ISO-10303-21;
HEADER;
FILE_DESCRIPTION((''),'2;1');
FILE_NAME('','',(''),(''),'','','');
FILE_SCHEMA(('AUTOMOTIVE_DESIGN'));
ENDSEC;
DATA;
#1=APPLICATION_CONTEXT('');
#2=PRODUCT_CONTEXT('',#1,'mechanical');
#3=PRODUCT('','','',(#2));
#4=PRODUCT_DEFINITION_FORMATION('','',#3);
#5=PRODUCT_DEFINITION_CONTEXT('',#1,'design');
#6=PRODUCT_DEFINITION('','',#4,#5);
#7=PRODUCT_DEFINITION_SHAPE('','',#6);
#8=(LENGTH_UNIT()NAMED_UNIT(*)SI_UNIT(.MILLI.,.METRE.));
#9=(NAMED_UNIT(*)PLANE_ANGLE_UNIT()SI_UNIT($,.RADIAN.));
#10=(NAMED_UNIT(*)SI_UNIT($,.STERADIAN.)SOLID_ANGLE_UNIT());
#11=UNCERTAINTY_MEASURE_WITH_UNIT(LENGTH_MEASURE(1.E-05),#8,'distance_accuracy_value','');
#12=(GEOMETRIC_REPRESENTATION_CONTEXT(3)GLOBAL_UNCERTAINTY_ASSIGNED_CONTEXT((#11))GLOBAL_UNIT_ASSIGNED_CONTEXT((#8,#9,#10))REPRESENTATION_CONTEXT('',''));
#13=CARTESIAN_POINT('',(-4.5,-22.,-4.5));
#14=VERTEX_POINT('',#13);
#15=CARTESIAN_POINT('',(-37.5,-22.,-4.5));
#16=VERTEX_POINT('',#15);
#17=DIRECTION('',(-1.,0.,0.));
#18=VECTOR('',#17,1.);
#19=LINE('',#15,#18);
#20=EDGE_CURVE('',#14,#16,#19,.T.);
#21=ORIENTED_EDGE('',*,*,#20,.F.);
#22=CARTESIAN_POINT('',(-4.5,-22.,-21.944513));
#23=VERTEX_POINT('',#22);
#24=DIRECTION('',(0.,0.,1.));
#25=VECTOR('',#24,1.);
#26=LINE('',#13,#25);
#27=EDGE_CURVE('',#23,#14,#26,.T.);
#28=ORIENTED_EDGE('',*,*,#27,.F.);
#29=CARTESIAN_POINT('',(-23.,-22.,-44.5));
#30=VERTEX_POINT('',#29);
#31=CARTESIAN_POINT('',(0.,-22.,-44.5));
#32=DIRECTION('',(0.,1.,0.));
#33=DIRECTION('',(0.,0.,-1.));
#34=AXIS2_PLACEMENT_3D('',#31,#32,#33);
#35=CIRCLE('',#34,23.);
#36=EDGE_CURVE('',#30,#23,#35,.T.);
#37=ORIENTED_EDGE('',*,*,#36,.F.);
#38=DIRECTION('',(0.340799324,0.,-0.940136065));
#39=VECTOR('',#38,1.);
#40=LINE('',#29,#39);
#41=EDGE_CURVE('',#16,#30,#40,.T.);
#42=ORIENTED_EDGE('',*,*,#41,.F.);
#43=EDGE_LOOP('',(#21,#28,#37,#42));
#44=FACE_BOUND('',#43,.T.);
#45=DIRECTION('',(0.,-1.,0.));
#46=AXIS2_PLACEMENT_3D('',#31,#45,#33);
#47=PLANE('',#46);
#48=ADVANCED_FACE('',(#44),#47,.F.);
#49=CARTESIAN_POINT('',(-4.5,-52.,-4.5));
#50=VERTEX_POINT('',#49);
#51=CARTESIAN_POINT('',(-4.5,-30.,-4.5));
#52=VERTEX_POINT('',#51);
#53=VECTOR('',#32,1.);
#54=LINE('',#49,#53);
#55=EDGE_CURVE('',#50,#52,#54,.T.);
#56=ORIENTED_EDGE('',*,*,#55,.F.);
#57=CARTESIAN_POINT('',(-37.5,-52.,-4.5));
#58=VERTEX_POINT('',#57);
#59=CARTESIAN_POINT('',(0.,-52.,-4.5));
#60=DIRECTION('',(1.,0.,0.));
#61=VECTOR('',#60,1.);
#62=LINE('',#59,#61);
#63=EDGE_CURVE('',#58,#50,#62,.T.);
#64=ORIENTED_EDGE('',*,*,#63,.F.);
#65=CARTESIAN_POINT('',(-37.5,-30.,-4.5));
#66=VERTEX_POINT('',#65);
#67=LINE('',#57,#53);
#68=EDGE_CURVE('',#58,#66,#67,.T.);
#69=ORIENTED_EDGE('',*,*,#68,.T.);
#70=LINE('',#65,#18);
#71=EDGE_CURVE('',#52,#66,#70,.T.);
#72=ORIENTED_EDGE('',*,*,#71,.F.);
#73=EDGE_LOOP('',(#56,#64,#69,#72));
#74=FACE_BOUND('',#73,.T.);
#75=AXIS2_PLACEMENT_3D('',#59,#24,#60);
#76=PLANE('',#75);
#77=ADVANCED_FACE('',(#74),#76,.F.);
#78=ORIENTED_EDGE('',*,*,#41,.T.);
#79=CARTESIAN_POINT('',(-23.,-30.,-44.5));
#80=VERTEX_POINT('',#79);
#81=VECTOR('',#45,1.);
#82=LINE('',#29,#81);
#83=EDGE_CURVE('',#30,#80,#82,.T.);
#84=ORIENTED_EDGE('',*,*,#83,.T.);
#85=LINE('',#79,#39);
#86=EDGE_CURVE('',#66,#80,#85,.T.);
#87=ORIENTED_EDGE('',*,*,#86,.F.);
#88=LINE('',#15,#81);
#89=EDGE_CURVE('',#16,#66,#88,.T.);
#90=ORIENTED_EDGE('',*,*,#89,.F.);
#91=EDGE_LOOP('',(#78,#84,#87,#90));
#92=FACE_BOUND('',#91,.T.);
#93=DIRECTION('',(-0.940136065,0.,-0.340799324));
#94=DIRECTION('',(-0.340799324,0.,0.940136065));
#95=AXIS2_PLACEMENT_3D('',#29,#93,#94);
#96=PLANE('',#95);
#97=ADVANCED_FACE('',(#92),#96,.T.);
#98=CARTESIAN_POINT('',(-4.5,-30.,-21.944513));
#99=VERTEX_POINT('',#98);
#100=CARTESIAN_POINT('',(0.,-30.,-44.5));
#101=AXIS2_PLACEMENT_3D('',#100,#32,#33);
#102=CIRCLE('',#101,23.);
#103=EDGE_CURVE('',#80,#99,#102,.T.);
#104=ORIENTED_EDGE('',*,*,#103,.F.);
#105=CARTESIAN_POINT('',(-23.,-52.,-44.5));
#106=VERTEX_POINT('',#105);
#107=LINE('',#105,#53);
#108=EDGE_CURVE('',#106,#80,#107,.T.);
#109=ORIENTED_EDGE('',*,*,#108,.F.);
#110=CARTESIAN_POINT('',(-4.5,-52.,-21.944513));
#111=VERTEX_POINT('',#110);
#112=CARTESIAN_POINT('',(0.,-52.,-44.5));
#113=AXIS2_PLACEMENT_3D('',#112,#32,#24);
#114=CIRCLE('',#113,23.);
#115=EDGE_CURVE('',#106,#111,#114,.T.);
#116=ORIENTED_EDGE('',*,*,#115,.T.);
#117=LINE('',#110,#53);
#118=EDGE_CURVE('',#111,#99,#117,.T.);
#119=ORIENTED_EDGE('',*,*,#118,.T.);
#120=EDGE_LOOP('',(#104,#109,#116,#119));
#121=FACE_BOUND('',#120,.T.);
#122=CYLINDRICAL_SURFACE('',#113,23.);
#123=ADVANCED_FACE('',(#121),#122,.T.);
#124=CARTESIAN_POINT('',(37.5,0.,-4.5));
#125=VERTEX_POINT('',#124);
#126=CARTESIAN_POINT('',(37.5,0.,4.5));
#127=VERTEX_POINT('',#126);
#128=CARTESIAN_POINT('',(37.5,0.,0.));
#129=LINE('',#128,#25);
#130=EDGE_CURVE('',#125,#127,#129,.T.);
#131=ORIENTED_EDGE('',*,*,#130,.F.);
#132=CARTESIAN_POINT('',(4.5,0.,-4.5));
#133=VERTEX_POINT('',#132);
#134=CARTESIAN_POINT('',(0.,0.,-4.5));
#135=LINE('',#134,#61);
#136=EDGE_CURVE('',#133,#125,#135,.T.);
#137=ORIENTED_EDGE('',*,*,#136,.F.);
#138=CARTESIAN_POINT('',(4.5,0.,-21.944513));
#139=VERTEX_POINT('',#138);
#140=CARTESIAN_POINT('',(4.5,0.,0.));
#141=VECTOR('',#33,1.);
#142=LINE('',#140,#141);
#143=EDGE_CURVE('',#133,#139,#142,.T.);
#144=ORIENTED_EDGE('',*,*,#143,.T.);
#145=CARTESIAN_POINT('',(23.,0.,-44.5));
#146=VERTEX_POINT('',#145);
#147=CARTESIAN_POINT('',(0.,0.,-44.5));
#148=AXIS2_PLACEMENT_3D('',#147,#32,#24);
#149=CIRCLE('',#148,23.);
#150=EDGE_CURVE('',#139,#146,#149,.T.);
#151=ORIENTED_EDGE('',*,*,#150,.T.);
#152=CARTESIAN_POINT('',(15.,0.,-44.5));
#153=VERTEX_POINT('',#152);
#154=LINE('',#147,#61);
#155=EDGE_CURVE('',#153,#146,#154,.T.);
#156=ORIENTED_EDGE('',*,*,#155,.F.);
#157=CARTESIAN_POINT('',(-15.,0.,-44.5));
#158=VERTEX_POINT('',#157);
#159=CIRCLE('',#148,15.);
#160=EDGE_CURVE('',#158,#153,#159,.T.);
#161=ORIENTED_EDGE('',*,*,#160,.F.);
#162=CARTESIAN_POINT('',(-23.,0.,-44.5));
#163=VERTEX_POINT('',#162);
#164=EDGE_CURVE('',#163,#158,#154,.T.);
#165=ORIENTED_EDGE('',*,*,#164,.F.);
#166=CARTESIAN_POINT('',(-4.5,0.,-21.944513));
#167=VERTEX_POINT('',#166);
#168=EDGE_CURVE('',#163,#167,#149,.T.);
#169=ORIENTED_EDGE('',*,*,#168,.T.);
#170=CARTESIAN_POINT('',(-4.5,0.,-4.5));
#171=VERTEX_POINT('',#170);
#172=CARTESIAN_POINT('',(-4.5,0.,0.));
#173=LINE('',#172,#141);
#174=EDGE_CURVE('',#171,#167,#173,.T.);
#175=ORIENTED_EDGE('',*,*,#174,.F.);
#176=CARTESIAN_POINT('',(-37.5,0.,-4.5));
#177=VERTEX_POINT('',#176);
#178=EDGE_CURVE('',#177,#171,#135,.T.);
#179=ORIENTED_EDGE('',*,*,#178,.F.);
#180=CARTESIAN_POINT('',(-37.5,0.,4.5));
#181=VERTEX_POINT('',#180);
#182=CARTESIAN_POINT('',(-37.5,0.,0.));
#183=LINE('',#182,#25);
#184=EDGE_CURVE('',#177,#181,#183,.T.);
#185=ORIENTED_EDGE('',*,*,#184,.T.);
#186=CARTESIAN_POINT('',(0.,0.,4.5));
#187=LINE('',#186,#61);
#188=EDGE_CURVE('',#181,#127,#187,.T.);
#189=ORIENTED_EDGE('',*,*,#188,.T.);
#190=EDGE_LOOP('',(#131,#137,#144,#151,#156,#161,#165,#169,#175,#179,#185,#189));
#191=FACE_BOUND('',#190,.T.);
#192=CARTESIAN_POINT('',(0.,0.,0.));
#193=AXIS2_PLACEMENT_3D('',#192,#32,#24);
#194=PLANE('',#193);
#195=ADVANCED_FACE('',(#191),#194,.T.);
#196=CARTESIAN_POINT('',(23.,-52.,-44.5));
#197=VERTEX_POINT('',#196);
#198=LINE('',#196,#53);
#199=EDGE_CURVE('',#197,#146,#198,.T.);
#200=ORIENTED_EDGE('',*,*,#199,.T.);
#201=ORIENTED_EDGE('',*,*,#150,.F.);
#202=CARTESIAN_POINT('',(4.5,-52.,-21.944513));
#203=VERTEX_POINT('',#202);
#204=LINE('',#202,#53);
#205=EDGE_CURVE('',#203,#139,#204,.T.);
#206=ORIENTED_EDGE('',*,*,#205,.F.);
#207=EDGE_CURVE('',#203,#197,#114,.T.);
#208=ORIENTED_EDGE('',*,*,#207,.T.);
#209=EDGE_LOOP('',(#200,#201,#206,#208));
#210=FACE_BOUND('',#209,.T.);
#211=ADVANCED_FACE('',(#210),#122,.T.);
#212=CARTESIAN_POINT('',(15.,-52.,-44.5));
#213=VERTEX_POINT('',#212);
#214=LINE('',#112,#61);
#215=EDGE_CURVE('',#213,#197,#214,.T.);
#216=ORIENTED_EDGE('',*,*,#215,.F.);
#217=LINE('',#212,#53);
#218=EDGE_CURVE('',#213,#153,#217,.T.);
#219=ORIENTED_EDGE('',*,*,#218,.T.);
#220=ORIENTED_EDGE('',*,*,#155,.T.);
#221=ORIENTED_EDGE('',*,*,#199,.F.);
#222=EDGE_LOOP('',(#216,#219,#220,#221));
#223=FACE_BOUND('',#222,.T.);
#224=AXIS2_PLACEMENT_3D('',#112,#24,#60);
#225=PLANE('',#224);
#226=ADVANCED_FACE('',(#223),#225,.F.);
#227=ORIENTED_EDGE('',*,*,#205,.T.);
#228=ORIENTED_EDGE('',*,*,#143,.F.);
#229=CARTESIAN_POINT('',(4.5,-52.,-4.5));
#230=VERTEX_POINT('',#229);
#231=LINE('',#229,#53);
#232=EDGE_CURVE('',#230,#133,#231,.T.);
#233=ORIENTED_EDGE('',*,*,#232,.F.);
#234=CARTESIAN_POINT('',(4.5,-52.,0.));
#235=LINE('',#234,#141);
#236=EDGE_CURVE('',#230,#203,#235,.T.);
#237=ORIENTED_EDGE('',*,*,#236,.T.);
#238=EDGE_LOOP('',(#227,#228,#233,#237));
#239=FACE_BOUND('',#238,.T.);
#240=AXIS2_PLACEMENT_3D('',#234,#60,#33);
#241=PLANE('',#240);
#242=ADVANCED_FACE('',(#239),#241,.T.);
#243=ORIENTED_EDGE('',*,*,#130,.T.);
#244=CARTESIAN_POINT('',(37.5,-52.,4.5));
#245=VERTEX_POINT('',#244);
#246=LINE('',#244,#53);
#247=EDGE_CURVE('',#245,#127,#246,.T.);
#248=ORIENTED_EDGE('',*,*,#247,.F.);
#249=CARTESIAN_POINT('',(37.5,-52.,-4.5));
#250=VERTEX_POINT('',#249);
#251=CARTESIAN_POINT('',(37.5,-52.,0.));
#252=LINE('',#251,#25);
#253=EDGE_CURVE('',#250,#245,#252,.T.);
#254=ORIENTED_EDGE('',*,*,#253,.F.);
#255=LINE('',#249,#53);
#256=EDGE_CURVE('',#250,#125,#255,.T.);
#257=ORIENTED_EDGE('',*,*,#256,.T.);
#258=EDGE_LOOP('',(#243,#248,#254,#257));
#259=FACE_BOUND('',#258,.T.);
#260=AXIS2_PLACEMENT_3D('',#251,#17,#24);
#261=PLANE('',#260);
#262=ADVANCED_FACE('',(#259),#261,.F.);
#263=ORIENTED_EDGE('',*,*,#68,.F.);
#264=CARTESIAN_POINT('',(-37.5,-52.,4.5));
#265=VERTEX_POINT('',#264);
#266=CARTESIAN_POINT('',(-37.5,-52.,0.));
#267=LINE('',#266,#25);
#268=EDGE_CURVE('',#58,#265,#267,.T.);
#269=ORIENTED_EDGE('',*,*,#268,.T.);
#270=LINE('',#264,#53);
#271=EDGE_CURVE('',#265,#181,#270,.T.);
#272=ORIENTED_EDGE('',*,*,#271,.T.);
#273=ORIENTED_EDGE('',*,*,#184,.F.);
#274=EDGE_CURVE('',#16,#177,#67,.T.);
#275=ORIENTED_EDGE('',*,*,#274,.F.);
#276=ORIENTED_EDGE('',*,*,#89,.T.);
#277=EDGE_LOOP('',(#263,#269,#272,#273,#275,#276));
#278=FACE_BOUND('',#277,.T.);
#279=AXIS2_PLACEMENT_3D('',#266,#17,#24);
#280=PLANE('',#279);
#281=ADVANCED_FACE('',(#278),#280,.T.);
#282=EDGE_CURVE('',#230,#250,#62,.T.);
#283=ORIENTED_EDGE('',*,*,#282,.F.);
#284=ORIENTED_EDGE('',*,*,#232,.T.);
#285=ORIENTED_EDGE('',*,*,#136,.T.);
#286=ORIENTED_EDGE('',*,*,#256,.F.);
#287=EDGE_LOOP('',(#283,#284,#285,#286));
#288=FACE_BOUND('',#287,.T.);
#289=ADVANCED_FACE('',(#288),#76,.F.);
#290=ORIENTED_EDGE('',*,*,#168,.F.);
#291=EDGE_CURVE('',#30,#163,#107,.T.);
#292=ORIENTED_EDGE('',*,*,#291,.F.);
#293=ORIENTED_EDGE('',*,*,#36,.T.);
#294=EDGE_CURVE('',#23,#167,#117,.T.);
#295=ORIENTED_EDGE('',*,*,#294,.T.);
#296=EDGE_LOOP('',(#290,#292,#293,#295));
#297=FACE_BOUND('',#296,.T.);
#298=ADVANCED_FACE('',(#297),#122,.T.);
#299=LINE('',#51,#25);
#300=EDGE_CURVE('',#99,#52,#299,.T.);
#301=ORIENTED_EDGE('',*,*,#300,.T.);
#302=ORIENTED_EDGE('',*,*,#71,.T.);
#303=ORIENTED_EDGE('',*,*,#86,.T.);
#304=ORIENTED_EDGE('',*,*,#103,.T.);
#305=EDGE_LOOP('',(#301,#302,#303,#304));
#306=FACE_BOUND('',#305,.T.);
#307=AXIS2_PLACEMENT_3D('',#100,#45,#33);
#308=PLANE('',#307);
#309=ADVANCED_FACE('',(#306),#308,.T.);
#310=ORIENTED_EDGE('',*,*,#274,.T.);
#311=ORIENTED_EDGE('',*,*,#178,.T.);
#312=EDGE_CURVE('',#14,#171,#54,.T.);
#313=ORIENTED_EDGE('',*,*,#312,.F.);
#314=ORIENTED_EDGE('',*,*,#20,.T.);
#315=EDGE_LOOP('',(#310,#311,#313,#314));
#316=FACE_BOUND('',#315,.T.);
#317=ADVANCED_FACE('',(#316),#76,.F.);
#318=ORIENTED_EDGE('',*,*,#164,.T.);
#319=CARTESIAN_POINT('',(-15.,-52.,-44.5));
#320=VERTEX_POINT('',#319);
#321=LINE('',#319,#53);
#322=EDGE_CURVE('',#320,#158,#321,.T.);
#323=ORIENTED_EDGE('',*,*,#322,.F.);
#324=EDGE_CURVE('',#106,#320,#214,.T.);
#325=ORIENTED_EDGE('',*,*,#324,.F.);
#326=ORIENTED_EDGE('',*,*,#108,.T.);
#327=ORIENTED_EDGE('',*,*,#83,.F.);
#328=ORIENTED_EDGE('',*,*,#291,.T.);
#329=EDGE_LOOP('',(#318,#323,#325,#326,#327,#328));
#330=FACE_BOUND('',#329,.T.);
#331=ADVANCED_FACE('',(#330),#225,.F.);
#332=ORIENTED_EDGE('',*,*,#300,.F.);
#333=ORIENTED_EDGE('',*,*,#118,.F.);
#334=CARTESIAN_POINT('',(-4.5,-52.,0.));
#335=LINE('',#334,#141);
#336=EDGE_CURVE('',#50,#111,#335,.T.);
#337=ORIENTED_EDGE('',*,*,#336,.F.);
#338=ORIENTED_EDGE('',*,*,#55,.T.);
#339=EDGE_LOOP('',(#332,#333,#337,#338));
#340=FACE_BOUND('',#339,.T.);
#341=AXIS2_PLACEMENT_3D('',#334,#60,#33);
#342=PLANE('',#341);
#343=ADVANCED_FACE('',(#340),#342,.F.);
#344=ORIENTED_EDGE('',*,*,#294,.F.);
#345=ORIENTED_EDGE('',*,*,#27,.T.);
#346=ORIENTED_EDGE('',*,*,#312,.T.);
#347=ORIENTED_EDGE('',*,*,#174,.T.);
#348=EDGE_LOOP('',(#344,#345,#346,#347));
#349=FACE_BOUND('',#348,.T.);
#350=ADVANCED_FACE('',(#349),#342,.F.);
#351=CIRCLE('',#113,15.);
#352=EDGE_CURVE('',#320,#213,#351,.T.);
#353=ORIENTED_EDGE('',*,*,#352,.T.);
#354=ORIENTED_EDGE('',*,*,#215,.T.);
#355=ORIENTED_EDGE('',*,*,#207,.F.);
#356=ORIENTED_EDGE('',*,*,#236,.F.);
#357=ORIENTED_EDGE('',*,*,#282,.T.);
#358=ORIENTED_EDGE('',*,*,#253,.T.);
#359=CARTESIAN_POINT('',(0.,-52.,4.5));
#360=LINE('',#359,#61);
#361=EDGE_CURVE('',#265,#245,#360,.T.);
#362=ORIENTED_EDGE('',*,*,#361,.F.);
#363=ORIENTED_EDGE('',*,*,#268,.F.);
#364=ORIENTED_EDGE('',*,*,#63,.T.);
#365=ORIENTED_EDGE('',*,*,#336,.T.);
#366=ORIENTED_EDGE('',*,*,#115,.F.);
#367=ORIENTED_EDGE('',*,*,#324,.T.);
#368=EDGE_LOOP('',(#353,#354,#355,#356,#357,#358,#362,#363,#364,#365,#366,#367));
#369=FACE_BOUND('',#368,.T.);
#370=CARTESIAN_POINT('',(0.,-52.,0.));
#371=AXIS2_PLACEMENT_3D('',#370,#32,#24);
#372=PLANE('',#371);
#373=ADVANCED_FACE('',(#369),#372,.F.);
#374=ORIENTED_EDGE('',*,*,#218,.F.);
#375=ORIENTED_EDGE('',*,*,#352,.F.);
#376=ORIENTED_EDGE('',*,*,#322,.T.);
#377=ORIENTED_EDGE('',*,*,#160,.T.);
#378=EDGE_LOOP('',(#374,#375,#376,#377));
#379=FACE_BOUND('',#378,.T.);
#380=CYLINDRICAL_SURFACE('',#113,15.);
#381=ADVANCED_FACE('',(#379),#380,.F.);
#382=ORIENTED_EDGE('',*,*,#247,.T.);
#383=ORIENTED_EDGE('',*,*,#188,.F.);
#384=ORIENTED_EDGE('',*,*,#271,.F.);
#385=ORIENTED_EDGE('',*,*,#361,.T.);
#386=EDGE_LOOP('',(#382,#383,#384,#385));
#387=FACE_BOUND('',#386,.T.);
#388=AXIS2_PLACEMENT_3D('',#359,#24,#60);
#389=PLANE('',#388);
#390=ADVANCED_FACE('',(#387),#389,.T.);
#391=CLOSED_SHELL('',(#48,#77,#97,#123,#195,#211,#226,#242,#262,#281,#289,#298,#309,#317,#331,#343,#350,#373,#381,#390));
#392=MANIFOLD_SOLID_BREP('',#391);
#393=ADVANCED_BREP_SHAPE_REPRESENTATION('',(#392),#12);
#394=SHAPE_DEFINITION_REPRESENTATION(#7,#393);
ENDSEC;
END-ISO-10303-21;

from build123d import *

# Parameters (mm, degrees)
SKETCH8_W           = 75
SKETCH8_H           = 9
BOSS_EXTRUDE5_DEPTH = 52
BOSS_EXTRUDE6_DEPTH = 8


with BuildPart() as part:
    # Sketch8 → Boss-Extrude5 (new body)
    with BuildSketch(Plane(origin=(0, 0, 0), x_dir=(1, 0, 0), z_dir=(0, 1, 0))):
        with BuildLine():
            Line((-4.5, 21.5), (-4.5, 4.5))
            Line((-4.5, 4.5), (4.5, 4.5))
            Line((4.5, 4.5), (4.5, 21.5))
            Line((4.5, 21.5), (4.5, 21.944512863))
            ThreePointArc((4.5, 21.944512863), (17.783419244, 29.914047854), (23, 44.5))
            Line((23, 44.5), (15, 44.5))
            ThreePointArc((15, 44.5), (0, 29.5), (-15, 44.5))
            Line((-15, 44.5), (-23, 44.5))
            ThreePointArc((-23, 44.5), (-17.783419244, 29.914047854), (-4.5, 21.944512863))
            Line((-4.5, 21.944512863), (-4.5, 21.5))
        make_face()
        Rectangle(SKETCH8_W, SKETCH8_H)
    extrude(amount=-BOSS_EXTRUDE5_DEPTH)

    # Sketch9 → Boss-Extrude6 (add)
    with BuildSketch(Plane(origin=(0, -30, 0), x_dir=(-1, 0, 0), z_dir=(0, -1, 0))):
        with BuildLine():
            Line((23, 44.5), (37.5, 4.5))
            Line((37.5, 4.5), (4.5, 4.5))
            Line((4.5, 4.5), (4.5, 21.944512863))
            ThreePointArc((4.5, 21.944512863), (17.783419244, 29.914047854), (23, 44.5))
        make_face()
    extrude(amount=-BOSS_EXTRUDE6_DEPTH)


solid = part.part
